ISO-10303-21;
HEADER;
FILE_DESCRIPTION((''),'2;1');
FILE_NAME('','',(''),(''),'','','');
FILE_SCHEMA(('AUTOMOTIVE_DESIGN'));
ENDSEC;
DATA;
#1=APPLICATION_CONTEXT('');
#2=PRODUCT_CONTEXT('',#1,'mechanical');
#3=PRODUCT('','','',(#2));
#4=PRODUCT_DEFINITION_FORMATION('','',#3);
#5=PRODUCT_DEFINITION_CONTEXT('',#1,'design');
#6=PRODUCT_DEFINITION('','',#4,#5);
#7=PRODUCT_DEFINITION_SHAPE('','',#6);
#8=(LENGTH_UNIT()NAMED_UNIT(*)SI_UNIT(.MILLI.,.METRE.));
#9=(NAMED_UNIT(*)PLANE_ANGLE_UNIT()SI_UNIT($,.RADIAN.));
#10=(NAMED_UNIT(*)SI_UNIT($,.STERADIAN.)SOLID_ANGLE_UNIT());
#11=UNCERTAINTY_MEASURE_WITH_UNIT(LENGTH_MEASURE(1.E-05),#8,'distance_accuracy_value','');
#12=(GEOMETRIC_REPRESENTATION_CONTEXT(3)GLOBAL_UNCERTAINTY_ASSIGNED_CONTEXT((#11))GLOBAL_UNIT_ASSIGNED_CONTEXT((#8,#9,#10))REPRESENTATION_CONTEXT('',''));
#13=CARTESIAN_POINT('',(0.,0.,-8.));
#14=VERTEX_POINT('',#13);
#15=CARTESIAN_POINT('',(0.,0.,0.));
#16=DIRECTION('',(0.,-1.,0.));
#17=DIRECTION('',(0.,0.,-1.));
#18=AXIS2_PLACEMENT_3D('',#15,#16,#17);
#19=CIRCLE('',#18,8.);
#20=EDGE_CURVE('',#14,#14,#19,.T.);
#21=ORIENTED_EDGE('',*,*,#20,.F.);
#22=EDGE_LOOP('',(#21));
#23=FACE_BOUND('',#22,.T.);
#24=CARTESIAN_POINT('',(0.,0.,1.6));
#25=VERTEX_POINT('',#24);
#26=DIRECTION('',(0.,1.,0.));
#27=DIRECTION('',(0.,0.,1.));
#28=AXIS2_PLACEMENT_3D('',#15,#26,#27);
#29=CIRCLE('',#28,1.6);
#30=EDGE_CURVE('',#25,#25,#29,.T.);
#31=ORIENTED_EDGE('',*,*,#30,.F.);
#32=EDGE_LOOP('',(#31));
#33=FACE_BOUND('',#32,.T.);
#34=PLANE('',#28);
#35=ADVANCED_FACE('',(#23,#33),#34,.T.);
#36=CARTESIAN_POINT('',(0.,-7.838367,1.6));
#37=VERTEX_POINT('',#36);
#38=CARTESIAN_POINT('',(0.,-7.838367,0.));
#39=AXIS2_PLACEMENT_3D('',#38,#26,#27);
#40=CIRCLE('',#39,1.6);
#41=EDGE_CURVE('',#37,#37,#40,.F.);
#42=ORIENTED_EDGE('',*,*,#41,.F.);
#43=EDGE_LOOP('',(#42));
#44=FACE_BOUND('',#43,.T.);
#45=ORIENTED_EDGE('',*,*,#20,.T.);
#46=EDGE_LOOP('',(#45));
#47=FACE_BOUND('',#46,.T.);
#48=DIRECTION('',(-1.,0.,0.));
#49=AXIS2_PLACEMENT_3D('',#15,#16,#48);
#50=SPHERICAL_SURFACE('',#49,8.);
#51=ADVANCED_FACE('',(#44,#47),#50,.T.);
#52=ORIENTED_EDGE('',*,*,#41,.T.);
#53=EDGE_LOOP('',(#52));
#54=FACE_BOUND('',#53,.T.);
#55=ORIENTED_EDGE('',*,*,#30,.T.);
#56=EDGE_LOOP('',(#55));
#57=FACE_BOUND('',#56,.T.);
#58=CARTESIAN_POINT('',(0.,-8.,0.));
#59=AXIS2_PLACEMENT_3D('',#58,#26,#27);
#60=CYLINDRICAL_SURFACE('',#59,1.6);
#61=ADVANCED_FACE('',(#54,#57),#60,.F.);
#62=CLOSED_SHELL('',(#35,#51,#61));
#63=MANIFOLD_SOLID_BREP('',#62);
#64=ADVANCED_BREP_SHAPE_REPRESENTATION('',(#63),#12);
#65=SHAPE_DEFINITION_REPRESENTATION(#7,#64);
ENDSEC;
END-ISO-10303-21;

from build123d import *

# Parameters (mm, degrees)
SKETCH_2_R          = 1.6
CUT_EXTRUDE_1_DEPTH = 9


with BuildPart() as part:
    # ｽｹｯﾁ1 → 回転1 (revolve)
    with BuildSketch(Plane.XY):
        with BuildLine():
            Line((0, -8), (0, 0))
            Line((0, 0), (8, 0))
            ThreePointArc((8, 0), (5.656854249, -5.656854249), (0, -8))
        make_face()
    revolve(axis=Axis((0, -8, 0), (0, 1, 0)))

    # ｽｹｯﾁ2 → ｶｯﾄ - 押し出し1 (cut, through all)
    with BuildSketch(Plane(origin=(0, 0, 0), x_dir=(1, 0, 0), z_dir=(0, 1, 0))):
        Circle(SKETCH_2_R)
    extrude(amount=-CUT_EXTRUDE_1_DEPTH, mode=Mode.SUBTRACT)


solid = part.part
